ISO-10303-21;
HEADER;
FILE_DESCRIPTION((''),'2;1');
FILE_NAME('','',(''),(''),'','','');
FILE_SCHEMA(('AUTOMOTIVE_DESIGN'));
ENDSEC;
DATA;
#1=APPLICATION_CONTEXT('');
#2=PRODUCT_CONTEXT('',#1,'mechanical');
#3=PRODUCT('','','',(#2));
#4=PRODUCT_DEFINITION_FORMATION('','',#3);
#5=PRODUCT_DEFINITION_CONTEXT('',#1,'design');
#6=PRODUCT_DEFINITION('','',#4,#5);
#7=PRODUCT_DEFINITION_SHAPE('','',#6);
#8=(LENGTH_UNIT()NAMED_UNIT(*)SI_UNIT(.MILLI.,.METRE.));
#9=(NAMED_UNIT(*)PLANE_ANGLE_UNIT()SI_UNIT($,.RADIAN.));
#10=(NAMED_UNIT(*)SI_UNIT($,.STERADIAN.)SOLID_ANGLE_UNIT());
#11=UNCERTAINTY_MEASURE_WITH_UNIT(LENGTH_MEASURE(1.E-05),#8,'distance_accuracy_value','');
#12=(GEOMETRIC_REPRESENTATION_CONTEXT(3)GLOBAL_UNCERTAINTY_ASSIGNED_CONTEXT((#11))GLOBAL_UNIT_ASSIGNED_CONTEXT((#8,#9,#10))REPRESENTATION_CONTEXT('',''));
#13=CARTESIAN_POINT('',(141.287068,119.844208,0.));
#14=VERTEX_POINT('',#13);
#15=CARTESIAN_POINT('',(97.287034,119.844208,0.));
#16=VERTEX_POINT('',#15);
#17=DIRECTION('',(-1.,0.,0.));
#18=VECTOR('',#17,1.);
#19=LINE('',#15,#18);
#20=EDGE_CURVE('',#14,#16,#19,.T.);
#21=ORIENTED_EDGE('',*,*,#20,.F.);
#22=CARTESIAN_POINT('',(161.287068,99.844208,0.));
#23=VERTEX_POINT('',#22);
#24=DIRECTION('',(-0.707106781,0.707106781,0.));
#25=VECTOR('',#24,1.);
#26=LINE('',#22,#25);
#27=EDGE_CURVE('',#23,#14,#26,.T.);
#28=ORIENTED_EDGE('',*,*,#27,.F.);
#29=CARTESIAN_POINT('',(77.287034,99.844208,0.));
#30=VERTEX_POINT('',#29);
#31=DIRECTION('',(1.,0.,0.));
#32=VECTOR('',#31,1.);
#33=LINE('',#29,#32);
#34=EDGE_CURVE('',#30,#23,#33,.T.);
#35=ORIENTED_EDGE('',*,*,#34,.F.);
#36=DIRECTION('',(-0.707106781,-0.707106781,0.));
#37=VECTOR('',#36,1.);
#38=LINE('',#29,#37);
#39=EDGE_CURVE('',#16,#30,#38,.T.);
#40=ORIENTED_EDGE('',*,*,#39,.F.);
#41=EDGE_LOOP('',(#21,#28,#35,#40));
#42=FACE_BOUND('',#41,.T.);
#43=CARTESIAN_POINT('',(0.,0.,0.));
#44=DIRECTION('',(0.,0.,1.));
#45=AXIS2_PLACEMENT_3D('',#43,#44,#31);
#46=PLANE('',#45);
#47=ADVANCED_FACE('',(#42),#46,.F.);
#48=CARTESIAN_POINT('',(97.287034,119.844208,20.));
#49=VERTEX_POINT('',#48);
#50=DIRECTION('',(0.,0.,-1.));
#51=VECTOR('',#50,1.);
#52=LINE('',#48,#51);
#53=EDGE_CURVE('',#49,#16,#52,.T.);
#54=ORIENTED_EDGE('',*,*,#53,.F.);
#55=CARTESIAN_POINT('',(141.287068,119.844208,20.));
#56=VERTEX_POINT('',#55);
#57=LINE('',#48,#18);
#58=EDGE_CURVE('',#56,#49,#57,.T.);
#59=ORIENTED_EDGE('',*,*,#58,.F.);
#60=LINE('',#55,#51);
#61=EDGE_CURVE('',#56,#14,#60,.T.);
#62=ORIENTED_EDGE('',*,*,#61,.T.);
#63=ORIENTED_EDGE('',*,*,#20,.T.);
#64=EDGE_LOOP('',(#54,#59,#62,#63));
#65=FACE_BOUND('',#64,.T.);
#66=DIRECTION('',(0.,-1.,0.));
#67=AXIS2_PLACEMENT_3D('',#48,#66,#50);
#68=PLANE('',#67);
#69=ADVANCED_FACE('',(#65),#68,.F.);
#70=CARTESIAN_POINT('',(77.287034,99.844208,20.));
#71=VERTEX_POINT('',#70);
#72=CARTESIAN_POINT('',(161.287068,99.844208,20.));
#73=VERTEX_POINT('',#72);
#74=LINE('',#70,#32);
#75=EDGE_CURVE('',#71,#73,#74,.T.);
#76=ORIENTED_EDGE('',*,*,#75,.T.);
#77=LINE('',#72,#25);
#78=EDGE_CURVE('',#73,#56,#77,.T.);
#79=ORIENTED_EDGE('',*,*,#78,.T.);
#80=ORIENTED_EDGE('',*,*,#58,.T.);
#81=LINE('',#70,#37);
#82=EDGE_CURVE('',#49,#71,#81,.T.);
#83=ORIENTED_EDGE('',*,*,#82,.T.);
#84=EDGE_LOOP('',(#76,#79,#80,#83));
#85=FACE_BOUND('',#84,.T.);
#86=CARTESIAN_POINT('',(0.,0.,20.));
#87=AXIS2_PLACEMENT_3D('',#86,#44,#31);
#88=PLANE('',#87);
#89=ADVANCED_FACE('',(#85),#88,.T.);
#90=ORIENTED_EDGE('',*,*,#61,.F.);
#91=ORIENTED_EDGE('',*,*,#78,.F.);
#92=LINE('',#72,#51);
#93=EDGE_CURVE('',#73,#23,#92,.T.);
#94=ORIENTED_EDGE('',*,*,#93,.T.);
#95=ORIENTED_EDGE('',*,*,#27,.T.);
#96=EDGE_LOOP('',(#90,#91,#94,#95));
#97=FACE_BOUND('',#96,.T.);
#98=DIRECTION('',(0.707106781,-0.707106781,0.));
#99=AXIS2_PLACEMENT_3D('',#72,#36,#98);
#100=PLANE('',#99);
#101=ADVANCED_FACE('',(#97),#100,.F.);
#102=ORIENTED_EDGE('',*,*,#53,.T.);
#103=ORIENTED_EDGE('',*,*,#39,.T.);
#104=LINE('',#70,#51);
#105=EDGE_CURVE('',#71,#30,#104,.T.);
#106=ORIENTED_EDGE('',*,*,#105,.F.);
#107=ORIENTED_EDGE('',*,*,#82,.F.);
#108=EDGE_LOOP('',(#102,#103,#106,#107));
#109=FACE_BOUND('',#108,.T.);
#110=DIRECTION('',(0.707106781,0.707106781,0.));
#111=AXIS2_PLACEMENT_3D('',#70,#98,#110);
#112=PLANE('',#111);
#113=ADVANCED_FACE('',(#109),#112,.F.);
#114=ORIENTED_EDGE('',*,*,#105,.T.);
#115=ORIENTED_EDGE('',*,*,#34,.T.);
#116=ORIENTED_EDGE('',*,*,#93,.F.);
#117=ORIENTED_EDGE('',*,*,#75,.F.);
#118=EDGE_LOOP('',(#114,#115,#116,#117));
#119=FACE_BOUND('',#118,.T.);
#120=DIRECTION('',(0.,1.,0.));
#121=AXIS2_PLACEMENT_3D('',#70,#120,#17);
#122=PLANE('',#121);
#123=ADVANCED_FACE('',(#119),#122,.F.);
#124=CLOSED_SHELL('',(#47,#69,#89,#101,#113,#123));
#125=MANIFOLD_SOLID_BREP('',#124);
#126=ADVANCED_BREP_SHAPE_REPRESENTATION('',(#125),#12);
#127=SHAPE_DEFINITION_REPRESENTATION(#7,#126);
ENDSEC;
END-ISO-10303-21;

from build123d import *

# Parameters (mm, degrees)
EXTRUDE_1_DEPTH = 20


with BuildPart() as part:
    # 草图1 → 凸台-拉伸1 (new body)
    with BuildSketch(Plane.XY):
        Polygon((77.287034004, 99.844207638), (161.287067604, 99.844207638), (141.287067604, 119.844207638), (97.287034004, 119.844207638), align=None)
    extrude(amount=EXTRUDE_1_DEPTH)


solid = part.part
